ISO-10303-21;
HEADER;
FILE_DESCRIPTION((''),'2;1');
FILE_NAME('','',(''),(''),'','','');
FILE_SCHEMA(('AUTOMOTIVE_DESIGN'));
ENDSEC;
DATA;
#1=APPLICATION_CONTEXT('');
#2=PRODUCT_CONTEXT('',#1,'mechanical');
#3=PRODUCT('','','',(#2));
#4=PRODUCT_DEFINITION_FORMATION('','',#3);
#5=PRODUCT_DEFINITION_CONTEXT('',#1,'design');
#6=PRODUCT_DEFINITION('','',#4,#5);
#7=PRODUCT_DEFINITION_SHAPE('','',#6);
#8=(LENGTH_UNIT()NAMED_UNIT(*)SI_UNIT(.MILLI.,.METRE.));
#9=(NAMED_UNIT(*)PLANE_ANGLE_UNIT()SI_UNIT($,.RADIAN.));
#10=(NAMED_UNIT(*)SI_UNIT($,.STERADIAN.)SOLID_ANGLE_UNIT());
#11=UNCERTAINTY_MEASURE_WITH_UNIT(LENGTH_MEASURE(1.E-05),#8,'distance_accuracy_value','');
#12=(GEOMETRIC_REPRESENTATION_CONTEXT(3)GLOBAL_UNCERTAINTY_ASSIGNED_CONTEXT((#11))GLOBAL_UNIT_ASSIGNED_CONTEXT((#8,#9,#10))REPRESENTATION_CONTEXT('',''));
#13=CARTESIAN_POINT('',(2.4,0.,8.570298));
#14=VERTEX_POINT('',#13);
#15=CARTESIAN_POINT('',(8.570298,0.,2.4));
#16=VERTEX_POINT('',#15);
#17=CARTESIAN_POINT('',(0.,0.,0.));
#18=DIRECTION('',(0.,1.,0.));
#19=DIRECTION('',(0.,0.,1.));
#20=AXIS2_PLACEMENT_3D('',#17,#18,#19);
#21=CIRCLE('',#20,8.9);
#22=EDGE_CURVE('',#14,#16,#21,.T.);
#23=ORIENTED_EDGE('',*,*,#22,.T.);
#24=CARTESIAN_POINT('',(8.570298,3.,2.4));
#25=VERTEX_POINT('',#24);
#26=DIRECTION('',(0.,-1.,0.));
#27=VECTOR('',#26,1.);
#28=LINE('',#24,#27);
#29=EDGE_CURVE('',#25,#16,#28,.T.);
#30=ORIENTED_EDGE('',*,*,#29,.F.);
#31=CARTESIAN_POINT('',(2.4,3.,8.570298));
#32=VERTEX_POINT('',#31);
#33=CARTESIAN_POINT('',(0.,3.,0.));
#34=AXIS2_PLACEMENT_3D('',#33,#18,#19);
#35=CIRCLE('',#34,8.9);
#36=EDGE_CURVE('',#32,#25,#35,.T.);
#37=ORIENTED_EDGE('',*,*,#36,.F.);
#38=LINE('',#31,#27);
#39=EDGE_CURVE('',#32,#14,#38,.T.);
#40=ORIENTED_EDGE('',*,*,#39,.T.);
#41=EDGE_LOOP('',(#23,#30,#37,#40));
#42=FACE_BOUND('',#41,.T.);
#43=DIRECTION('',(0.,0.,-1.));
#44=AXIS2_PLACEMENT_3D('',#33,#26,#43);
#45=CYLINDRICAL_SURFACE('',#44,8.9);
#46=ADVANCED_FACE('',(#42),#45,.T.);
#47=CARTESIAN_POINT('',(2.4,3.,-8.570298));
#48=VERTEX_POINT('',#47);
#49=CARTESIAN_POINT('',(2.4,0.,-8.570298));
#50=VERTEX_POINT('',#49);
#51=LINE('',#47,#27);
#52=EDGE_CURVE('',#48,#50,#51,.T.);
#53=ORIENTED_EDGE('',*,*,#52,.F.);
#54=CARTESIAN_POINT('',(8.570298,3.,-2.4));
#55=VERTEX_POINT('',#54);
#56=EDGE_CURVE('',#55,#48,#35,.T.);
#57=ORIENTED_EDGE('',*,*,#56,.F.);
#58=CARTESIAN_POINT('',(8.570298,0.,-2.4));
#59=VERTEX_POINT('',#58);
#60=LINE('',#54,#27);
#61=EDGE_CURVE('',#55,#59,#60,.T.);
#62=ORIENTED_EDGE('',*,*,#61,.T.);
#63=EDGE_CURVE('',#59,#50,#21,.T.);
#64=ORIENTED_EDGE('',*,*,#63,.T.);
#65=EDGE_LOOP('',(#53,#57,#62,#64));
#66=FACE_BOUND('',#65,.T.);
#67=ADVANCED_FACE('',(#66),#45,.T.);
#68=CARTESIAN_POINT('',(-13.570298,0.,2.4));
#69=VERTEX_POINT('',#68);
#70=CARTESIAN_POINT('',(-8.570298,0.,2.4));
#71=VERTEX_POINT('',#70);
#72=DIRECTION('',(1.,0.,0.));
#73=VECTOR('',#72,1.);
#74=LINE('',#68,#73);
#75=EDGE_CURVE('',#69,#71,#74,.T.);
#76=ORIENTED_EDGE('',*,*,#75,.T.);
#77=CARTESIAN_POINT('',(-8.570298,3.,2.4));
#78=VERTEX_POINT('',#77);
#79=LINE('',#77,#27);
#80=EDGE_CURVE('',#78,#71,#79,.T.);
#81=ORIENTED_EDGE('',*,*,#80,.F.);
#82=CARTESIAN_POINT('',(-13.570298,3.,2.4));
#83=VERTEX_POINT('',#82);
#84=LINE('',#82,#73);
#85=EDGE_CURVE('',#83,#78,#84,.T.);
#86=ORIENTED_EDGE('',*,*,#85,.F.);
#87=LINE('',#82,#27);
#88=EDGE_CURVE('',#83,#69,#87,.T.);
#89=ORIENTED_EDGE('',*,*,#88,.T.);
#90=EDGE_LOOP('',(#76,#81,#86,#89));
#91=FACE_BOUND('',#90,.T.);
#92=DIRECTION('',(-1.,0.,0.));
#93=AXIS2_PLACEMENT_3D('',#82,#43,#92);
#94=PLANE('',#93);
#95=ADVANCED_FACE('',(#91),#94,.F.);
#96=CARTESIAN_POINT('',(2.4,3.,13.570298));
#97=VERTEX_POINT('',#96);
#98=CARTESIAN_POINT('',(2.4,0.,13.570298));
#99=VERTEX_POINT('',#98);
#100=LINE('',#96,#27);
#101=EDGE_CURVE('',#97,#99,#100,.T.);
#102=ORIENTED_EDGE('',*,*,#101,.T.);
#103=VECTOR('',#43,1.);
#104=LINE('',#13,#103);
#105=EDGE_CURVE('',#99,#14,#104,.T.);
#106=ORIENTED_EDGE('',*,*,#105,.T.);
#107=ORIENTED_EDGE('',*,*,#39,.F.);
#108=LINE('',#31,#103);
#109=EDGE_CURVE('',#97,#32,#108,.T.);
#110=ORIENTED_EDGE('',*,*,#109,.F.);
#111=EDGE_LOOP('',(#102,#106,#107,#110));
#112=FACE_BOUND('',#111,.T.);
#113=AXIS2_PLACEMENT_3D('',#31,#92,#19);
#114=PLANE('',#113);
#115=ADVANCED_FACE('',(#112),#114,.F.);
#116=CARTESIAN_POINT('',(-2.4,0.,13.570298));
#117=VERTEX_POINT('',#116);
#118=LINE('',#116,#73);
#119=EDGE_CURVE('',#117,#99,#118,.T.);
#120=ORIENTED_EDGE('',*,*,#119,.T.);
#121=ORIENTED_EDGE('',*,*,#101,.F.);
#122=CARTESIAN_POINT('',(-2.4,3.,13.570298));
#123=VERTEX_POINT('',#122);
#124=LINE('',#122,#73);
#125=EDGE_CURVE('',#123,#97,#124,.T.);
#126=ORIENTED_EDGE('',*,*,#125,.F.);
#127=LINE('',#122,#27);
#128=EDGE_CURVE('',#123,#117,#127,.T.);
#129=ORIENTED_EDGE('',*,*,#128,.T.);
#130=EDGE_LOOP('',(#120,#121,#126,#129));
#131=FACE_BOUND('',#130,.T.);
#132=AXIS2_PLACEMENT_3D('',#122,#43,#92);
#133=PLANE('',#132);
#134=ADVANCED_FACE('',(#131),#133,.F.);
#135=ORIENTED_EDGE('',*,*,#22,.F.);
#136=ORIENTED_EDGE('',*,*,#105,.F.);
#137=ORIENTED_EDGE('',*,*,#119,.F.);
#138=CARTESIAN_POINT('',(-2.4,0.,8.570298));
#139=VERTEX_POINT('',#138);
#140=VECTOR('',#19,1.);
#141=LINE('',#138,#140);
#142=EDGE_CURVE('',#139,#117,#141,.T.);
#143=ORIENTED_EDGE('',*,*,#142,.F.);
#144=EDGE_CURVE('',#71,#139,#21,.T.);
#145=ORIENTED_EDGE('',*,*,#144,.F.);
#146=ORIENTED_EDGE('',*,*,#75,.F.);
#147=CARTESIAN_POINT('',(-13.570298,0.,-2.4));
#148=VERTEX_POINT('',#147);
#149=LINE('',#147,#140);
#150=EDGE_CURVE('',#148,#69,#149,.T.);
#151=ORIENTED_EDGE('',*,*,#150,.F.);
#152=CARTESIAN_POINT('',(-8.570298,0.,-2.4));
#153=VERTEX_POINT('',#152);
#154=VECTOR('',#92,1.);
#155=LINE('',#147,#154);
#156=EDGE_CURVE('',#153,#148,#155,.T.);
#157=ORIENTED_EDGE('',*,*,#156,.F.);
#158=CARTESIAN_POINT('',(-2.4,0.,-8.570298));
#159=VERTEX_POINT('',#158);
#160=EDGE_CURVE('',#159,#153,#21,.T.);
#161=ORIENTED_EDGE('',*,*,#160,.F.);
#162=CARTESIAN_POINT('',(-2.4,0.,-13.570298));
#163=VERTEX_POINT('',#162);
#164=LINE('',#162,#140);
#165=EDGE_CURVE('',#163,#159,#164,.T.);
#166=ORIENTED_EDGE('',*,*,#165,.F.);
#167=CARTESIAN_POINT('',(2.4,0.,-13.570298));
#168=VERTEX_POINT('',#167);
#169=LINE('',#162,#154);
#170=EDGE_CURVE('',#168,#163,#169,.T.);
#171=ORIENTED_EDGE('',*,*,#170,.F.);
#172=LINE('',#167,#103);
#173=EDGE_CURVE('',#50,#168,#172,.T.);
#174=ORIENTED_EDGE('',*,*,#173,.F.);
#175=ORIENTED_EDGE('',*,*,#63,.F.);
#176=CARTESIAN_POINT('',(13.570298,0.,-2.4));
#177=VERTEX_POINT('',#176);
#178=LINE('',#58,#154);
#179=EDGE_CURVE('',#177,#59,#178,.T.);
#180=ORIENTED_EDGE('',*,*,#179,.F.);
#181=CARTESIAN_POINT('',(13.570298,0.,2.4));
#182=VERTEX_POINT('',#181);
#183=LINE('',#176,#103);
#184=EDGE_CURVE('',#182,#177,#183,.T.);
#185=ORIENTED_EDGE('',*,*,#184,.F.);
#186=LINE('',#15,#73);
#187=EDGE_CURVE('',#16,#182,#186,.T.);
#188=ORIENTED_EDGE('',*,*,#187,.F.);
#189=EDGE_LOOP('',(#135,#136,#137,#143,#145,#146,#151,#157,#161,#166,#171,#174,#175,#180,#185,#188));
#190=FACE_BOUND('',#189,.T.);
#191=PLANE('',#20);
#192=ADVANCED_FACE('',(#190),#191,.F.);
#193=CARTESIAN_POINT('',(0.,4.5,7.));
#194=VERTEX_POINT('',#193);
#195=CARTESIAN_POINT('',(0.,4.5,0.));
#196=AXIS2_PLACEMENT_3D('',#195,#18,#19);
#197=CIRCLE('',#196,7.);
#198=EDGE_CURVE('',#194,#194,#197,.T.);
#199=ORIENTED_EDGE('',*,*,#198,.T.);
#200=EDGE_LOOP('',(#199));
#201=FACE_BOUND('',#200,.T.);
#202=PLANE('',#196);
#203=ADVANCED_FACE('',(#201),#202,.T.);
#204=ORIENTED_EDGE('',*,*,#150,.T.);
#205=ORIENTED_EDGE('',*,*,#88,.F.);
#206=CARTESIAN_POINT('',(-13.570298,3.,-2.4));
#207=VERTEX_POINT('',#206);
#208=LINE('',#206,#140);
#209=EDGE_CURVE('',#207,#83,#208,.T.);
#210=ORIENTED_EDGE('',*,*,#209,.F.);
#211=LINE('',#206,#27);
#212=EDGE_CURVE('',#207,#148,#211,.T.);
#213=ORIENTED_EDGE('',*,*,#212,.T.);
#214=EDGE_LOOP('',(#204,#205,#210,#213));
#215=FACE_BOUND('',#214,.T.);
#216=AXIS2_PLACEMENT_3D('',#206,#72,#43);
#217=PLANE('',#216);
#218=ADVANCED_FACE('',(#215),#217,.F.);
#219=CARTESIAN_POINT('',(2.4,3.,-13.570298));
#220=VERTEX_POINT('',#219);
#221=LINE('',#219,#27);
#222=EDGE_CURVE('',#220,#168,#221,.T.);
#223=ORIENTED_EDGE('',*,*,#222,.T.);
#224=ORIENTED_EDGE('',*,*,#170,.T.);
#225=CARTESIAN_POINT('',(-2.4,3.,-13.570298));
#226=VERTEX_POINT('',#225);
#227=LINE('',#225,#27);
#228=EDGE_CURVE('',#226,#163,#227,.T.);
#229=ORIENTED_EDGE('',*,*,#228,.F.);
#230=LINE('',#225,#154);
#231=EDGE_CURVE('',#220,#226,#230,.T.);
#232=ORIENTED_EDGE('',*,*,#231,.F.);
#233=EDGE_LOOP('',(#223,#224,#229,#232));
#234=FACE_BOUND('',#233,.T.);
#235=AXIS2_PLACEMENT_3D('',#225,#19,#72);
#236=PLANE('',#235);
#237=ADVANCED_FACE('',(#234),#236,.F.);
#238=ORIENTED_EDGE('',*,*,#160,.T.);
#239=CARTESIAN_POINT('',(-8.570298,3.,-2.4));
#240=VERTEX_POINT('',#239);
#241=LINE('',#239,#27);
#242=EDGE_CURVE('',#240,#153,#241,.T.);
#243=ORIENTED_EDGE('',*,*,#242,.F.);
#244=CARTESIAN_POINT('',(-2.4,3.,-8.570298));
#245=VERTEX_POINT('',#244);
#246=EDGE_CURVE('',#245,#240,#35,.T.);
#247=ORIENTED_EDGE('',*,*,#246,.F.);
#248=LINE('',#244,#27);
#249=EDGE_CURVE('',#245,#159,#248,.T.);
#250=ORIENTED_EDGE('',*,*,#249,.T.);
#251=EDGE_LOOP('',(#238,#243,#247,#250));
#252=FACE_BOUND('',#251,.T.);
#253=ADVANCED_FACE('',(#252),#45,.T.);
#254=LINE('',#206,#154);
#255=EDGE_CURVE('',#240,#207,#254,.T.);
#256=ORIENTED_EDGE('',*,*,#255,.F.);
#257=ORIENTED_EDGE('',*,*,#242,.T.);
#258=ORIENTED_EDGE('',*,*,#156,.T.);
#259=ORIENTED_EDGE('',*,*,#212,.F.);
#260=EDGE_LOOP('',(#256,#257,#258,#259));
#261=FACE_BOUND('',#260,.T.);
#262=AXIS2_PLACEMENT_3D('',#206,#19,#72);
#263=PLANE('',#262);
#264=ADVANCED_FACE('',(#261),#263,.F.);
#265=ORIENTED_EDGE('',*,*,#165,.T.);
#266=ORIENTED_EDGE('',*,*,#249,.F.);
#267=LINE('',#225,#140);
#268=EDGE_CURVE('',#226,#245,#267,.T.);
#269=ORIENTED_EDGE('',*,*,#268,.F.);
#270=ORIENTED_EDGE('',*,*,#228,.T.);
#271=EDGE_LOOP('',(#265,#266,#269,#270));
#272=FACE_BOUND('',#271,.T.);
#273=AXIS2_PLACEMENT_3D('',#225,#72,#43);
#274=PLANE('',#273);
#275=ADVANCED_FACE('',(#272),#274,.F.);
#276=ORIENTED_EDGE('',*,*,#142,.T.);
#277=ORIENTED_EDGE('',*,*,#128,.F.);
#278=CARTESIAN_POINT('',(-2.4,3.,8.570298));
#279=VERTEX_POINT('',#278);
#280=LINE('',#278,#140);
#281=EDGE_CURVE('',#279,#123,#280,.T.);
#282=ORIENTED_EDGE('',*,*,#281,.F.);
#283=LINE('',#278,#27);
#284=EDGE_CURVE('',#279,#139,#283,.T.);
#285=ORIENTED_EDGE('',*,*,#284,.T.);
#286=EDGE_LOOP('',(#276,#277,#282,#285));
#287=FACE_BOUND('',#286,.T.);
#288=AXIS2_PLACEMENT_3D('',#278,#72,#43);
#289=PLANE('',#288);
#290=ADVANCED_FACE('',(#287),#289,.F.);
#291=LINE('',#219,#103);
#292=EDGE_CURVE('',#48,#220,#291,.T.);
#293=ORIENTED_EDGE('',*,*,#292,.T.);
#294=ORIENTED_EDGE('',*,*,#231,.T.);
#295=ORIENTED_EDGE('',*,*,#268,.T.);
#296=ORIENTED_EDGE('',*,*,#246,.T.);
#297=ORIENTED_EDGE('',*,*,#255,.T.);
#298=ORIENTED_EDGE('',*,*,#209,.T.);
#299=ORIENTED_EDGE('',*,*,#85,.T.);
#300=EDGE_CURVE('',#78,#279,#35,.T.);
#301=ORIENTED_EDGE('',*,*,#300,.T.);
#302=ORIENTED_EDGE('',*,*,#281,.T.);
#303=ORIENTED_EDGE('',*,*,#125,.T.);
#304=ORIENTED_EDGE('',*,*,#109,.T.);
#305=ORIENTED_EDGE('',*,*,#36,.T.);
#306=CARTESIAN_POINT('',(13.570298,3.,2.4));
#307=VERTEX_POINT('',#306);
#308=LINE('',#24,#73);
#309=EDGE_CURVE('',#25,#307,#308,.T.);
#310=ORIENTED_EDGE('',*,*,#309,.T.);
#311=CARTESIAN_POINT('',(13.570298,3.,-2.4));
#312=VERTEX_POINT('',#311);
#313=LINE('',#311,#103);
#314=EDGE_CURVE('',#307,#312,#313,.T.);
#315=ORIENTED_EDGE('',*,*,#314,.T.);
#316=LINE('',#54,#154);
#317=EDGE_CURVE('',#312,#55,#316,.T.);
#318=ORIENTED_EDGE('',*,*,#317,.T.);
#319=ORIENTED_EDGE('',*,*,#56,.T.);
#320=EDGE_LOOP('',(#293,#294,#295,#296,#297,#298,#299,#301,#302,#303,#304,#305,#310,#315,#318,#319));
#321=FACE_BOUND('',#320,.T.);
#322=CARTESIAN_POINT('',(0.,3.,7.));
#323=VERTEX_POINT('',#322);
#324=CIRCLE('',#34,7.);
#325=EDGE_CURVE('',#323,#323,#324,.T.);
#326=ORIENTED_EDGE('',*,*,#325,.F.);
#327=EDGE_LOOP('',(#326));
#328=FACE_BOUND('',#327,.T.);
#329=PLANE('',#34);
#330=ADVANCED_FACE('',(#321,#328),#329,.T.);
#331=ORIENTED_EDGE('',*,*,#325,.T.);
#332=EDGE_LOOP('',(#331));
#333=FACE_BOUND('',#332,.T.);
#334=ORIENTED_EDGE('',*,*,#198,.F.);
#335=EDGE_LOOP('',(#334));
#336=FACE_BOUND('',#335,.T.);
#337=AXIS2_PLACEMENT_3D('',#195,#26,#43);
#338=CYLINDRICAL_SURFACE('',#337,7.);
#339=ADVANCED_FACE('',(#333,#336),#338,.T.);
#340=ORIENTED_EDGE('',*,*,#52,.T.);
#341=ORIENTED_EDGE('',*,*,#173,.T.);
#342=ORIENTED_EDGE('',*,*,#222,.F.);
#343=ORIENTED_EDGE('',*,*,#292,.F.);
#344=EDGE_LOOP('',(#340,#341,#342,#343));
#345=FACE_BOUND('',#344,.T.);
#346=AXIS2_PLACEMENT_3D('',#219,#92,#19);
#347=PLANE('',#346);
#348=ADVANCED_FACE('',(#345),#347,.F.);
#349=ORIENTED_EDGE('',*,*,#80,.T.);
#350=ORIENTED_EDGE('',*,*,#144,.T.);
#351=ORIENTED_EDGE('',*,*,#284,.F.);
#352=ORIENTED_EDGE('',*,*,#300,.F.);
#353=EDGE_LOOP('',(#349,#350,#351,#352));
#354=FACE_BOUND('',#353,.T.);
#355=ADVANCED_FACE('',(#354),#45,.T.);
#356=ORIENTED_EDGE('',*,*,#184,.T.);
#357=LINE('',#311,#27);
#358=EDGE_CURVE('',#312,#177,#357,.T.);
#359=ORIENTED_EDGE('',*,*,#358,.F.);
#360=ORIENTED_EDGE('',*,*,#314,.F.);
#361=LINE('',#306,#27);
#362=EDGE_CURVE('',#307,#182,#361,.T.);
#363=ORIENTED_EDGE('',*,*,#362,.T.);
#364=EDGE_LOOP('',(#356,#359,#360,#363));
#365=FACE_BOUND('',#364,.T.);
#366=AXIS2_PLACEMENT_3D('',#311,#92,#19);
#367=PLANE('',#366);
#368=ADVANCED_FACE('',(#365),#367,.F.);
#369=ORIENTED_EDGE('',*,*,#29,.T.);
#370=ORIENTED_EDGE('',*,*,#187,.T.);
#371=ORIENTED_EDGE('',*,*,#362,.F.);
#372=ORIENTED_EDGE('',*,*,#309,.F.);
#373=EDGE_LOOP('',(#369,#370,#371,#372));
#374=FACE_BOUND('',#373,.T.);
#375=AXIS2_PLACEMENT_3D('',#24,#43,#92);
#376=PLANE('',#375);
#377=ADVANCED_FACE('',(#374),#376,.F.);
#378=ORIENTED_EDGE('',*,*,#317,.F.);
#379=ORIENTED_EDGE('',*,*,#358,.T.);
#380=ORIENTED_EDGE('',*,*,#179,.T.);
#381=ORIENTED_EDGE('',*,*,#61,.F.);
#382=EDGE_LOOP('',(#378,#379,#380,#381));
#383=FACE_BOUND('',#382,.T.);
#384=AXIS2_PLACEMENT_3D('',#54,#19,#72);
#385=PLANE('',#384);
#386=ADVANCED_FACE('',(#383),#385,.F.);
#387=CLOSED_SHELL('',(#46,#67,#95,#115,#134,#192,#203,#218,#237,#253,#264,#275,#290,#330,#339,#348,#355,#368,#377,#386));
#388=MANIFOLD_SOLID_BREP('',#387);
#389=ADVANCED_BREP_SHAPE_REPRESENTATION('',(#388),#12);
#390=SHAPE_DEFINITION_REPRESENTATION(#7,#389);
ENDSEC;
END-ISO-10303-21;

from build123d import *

# Parameters (mm, degrees)
EXTRUDE_1_DEPTH = 3
SKETCH_2_R      = 7
EXTRUDE_2_DEPTH = 1.5


with BuildPart() as part:
    # 草图1 → 凸台-拉伸1 (new body)
    with BuildSketch(Plane(origin=(0, 0, 0), x_dir=(1, 0, 0), z_dir=(0, 1, 0))):
        with BuildLine():
            Line((-13.570297544, 2.4), (-8.570297544, 2.4))
            ThreePointArc((-8.570297544, 2.4), (-6.293250353, 6.293250353), (-2.4, 8.570297544))
            Line((-2.4, 8.570297544), (-2.4, 13.570297544))
            Line((-2.4, 13.570297544), (2.4, 13.570297544))
            Line((2.4, 13.570297544), (2.4, 8.570297544))
            ThreePointArc((2.4, 8.570297544), (6.293250353, 6.293250353), (8.570297544, 2.4))
            Line((8.570297544, 2.4), (13.570297544, 2.4))
            Line((13.570297544, 2.4), (13.570297544, -2.4))
            Line((13.570297544, -2.4), (8.570297544, -2.4))
            ThreePointArc((8.570297544, -2.4), (6.293250353, -6.293250353), (2.4, -8.570297544))
            Line((2.4, -8.570297544), (2.4, -13.570297544))
            Line((2.4, -13.570297544), (-2.4, -13.570297544))
            Line((-2.4, -13.570297544), (-2.4, -8.570297544))
            ThreePointArc((-2.4, -8.570297544), (-6.293250353, -6.293250353), (-8.570297544, -2.4))
            Line((-8.570297544, -2.4), (-13.570297544, -2.4))
            Line((-13.570297544, -2.4), (-13.570297544, 2.4))
        make_face()
    extrude(amount=EXTRUDE_1_DEPTH)

    # 草图2 → 凸台-拉伸2 (add)
    with BuildSketch(Plane(origin=(0, 3, 0), x_dir=(1, 0, 0), z_dir=(0, 1, 0))):
        Circle(SKETCH_2_R)
    extrude(amount=EXTRUDE_2_DEPTH)


solid = part.part
